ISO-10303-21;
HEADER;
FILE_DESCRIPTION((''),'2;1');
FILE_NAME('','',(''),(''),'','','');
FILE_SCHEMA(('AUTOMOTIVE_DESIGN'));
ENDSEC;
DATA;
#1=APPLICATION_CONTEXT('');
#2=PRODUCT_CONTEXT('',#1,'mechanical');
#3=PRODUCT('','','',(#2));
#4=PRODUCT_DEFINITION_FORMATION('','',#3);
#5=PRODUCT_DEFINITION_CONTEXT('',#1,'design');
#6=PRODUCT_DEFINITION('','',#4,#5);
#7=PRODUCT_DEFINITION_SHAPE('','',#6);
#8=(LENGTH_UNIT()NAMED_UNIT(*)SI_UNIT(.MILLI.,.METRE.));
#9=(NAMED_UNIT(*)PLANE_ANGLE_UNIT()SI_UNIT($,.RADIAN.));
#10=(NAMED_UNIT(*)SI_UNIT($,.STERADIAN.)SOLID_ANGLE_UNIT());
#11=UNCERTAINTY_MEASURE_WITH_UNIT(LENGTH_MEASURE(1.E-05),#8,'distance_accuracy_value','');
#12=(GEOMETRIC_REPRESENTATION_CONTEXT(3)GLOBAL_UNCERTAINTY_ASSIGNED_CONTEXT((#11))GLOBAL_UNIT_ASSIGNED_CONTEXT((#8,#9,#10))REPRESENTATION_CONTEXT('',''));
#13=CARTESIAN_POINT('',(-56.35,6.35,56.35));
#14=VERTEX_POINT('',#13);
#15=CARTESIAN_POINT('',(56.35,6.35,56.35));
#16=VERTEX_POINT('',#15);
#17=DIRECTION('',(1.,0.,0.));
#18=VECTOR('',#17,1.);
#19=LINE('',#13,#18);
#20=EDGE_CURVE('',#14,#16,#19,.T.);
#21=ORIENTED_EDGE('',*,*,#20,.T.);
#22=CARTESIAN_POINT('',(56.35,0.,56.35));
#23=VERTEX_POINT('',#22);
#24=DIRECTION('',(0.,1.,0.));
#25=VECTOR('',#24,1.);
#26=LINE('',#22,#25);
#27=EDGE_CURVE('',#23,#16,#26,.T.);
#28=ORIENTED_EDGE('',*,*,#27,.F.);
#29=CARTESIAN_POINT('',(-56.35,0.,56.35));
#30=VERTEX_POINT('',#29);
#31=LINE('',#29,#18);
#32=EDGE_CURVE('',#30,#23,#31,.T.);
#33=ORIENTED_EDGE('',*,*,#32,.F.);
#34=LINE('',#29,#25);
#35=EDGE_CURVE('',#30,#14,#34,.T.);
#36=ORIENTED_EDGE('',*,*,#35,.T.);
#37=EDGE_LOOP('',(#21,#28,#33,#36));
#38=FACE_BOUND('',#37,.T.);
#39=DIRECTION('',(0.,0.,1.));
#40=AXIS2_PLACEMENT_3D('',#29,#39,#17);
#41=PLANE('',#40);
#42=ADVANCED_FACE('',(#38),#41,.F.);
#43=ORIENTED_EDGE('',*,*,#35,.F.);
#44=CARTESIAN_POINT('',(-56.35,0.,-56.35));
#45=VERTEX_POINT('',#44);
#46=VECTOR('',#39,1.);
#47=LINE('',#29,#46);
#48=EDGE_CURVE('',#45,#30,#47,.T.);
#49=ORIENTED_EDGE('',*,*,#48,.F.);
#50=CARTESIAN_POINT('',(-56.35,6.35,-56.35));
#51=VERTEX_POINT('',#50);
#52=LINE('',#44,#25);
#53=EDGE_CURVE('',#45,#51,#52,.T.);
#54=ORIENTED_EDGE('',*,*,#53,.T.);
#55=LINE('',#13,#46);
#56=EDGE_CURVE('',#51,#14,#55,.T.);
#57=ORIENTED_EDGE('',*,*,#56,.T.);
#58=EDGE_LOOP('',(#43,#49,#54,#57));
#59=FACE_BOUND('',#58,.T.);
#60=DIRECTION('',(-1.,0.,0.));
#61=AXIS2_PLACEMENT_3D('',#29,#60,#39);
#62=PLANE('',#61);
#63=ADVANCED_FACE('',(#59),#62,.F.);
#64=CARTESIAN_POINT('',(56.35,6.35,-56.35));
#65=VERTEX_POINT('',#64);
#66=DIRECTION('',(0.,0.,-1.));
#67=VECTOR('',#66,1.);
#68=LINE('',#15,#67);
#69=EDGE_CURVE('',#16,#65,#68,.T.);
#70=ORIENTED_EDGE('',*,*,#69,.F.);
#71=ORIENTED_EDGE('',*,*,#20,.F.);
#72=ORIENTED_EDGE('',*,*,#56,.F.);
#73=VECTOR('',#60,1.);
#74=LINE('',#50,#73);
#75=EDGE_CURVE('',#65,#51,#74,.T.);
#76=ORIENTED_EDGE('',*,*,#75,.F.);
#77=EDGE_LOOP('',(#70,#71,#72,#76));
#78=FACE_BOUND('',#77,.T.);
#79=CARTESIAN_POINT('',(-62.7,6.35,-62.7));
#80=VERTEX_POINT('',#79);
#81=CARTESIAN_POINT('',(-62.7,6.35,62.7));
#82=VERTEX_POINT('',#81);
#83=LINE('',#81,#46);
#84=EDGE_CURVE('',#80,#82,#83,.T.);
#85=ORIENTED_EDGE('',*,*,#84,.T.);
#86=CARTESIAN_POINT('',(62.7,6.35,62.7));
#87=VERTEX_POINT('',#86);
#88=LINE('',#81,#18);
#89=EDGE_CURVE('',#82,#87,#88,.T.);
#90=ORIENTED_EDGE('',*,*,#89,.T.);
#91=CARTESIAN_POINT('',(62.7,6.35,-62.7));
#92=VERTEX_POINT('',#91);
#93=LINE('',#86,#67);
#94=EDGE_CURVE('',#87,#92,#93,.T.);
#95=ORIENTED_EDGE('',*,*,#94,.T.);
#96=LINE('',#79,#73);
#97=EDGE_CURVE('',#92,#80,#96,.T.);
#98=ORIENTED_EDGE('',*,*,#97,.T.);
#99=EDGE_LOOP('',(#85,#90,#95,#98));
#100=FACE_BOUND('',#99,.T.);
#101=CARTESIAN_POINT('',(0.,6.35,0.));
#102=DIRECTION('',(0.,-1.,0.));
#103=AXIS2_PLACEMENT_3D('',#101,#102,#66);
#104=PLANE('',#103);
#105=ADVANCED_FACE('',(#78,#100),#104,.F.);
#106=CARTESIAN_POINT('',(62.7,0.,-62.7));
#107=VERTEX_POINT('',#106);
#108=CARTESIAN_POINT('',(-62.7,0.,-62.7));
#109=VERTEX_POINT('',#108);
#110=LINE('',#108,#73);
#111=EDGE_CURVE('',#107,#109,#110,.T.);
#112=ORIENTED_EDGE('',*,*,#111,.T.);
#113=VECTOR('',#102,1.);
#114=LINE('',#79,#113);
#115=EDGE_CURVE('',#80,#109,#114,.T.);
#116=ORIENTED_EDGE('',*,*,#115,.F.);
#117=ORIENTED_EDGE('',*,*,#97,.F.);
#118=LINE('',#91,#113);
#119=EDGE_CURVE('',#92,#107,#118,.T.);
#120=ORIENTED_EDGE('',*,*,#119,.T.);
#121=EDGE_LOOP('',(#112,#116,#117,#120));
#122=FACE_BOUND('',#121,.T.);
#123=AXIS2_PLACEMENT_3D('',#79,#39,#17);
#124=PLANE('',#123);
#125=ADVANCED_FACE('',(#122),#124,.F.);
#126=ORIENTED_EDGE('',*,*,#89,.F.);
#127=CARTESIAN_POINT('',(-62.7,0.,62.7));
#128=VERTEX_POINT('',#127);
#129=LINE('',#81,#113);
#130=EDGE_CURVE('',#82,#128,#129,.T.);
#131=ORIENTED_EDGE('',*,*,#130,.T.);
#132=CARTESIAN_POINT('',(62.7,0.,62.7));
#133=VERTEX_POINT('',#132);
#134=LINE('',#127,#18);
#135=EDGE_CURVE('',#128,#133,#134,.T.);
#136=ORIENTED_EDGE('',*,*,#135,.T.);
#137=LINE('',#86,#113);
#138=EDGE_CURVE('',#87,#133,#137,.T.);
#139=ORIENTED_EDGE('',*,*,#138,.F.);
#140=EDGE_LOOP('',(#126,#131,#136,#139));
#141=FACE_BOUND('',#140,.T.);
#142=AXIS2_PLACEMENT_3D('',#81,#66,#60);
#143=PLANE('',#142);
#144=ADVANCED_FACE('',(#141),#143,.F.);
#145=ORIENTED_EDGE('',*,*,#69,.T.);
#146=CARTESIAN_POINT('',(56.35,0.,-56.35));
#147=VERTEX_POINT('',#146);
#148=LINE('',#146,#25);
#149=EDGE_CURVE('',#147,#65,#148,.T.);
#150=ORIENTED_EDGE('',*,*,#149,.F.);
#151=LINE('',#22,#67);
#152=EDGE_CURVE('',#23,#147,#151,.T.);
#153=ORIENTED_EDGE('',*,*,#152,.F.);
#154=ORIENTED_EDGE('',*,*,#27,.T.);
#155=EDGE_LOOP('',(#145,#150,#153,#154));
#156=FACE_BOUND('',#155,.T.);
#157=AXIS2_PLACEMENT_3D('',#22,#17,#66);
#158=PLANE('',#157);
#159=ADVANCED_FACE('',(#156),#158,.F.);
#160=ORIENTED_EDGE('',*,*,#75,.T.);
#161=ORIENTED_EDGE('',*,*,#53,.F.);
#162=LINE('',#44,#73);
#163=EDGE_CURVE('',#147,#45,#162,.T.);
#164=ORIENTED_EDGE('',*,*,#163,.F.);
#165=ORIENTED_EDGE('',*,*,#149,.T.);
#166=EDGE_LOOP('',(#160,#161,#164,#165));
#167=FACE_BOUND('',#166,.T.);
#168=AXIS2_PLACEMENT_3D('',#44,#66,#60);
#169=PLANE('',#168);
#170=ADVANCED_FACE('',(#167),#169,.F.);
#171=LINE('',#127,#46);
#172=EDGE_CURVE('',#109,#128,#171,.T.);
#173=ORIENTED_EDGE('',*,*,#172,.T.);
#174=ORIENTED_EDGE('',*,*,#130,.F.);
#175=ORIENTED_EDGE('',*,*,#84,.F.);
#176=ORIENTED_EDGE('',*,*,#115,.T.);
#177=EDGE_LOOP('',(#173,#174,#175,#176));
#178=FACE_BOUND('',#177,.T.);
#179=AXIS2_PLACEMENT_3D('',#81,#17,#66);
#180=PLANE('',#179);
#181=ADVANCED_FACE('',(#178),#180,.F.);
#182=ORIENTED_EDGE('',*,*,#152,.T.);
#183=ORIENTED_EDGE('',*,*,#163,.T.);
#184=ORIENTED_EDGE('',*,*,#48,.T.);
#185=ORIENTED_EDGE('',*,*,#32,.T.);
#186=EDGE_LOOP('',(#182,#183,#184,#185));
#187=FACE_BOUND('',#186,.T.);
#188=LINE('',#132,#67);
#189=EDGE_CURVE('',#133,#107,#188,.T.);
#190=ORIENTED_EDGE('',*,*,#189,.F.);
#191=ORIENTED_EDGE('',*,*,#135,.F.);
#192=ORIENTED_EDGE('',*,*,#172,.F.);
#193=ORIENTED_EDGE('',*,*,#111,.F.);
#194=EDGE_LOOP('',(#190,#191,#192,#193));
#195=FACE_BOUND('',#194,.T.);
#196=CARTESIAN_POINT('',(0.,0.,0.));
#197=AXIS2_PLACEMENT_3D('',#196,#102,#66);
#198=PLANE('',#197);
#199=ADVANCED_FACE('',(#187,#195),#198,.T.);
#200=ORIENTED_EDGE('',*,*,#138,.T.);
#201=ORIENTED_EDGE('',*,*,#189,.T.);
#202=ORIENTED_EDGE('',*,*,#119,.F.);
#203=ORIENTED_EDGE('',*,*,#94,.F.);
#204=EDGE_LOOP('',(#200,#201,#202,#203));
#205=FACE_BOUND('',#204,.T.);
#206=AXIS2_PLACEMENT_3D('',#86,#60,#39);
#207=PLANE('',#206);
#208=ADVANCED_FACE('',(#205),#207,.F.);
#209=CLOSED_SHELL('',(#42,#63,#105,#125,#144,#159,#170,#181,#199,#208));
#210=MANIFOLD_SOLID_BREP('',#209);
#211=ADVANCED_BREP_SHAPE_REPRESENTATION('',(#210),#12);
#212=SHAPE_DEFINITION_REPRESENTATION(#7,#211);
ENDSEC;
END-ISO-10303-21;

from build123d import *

# Parameters (mm, degrees)
SKETCH1_W           = 125.4
SKETCH1_H           = 125.4
BOSS_EXTRUDE1_DEPTH = 6.35
SKETCH2_W           = 112.7
SKETCH2_H           = 112.7
CUT_EXTRUDE1_DEPTH  = 7.35


with BuildPart() as part:
    # Sketch1 → Boss-Extrude1 (new body)
    with BuildSketch(Plane(origin=(0, 0, 0), x_dir=(1, 0, 0), z_dir=(0, 1, 0))):
        Rectangle(SKETCH1_W, SKETCH1_H)
    extrude(amount=BOSS_EXTRUDE1_DEPTH)

    # Sketch2 → Cut-Extrude1 (cut, through all)
    with BuildSketch(Plane(origin=(0, 6.35, 0), x_dir=(1, 0, 0), z_dir=(0, 1, 0))):
        Rectangle(SKETCH2_W, SKETCH2_H)
    extrude(amount=-CUT_EXTRUDE1_DEPTH, mode=Mode.SUBTRACT)


solid = part.part
